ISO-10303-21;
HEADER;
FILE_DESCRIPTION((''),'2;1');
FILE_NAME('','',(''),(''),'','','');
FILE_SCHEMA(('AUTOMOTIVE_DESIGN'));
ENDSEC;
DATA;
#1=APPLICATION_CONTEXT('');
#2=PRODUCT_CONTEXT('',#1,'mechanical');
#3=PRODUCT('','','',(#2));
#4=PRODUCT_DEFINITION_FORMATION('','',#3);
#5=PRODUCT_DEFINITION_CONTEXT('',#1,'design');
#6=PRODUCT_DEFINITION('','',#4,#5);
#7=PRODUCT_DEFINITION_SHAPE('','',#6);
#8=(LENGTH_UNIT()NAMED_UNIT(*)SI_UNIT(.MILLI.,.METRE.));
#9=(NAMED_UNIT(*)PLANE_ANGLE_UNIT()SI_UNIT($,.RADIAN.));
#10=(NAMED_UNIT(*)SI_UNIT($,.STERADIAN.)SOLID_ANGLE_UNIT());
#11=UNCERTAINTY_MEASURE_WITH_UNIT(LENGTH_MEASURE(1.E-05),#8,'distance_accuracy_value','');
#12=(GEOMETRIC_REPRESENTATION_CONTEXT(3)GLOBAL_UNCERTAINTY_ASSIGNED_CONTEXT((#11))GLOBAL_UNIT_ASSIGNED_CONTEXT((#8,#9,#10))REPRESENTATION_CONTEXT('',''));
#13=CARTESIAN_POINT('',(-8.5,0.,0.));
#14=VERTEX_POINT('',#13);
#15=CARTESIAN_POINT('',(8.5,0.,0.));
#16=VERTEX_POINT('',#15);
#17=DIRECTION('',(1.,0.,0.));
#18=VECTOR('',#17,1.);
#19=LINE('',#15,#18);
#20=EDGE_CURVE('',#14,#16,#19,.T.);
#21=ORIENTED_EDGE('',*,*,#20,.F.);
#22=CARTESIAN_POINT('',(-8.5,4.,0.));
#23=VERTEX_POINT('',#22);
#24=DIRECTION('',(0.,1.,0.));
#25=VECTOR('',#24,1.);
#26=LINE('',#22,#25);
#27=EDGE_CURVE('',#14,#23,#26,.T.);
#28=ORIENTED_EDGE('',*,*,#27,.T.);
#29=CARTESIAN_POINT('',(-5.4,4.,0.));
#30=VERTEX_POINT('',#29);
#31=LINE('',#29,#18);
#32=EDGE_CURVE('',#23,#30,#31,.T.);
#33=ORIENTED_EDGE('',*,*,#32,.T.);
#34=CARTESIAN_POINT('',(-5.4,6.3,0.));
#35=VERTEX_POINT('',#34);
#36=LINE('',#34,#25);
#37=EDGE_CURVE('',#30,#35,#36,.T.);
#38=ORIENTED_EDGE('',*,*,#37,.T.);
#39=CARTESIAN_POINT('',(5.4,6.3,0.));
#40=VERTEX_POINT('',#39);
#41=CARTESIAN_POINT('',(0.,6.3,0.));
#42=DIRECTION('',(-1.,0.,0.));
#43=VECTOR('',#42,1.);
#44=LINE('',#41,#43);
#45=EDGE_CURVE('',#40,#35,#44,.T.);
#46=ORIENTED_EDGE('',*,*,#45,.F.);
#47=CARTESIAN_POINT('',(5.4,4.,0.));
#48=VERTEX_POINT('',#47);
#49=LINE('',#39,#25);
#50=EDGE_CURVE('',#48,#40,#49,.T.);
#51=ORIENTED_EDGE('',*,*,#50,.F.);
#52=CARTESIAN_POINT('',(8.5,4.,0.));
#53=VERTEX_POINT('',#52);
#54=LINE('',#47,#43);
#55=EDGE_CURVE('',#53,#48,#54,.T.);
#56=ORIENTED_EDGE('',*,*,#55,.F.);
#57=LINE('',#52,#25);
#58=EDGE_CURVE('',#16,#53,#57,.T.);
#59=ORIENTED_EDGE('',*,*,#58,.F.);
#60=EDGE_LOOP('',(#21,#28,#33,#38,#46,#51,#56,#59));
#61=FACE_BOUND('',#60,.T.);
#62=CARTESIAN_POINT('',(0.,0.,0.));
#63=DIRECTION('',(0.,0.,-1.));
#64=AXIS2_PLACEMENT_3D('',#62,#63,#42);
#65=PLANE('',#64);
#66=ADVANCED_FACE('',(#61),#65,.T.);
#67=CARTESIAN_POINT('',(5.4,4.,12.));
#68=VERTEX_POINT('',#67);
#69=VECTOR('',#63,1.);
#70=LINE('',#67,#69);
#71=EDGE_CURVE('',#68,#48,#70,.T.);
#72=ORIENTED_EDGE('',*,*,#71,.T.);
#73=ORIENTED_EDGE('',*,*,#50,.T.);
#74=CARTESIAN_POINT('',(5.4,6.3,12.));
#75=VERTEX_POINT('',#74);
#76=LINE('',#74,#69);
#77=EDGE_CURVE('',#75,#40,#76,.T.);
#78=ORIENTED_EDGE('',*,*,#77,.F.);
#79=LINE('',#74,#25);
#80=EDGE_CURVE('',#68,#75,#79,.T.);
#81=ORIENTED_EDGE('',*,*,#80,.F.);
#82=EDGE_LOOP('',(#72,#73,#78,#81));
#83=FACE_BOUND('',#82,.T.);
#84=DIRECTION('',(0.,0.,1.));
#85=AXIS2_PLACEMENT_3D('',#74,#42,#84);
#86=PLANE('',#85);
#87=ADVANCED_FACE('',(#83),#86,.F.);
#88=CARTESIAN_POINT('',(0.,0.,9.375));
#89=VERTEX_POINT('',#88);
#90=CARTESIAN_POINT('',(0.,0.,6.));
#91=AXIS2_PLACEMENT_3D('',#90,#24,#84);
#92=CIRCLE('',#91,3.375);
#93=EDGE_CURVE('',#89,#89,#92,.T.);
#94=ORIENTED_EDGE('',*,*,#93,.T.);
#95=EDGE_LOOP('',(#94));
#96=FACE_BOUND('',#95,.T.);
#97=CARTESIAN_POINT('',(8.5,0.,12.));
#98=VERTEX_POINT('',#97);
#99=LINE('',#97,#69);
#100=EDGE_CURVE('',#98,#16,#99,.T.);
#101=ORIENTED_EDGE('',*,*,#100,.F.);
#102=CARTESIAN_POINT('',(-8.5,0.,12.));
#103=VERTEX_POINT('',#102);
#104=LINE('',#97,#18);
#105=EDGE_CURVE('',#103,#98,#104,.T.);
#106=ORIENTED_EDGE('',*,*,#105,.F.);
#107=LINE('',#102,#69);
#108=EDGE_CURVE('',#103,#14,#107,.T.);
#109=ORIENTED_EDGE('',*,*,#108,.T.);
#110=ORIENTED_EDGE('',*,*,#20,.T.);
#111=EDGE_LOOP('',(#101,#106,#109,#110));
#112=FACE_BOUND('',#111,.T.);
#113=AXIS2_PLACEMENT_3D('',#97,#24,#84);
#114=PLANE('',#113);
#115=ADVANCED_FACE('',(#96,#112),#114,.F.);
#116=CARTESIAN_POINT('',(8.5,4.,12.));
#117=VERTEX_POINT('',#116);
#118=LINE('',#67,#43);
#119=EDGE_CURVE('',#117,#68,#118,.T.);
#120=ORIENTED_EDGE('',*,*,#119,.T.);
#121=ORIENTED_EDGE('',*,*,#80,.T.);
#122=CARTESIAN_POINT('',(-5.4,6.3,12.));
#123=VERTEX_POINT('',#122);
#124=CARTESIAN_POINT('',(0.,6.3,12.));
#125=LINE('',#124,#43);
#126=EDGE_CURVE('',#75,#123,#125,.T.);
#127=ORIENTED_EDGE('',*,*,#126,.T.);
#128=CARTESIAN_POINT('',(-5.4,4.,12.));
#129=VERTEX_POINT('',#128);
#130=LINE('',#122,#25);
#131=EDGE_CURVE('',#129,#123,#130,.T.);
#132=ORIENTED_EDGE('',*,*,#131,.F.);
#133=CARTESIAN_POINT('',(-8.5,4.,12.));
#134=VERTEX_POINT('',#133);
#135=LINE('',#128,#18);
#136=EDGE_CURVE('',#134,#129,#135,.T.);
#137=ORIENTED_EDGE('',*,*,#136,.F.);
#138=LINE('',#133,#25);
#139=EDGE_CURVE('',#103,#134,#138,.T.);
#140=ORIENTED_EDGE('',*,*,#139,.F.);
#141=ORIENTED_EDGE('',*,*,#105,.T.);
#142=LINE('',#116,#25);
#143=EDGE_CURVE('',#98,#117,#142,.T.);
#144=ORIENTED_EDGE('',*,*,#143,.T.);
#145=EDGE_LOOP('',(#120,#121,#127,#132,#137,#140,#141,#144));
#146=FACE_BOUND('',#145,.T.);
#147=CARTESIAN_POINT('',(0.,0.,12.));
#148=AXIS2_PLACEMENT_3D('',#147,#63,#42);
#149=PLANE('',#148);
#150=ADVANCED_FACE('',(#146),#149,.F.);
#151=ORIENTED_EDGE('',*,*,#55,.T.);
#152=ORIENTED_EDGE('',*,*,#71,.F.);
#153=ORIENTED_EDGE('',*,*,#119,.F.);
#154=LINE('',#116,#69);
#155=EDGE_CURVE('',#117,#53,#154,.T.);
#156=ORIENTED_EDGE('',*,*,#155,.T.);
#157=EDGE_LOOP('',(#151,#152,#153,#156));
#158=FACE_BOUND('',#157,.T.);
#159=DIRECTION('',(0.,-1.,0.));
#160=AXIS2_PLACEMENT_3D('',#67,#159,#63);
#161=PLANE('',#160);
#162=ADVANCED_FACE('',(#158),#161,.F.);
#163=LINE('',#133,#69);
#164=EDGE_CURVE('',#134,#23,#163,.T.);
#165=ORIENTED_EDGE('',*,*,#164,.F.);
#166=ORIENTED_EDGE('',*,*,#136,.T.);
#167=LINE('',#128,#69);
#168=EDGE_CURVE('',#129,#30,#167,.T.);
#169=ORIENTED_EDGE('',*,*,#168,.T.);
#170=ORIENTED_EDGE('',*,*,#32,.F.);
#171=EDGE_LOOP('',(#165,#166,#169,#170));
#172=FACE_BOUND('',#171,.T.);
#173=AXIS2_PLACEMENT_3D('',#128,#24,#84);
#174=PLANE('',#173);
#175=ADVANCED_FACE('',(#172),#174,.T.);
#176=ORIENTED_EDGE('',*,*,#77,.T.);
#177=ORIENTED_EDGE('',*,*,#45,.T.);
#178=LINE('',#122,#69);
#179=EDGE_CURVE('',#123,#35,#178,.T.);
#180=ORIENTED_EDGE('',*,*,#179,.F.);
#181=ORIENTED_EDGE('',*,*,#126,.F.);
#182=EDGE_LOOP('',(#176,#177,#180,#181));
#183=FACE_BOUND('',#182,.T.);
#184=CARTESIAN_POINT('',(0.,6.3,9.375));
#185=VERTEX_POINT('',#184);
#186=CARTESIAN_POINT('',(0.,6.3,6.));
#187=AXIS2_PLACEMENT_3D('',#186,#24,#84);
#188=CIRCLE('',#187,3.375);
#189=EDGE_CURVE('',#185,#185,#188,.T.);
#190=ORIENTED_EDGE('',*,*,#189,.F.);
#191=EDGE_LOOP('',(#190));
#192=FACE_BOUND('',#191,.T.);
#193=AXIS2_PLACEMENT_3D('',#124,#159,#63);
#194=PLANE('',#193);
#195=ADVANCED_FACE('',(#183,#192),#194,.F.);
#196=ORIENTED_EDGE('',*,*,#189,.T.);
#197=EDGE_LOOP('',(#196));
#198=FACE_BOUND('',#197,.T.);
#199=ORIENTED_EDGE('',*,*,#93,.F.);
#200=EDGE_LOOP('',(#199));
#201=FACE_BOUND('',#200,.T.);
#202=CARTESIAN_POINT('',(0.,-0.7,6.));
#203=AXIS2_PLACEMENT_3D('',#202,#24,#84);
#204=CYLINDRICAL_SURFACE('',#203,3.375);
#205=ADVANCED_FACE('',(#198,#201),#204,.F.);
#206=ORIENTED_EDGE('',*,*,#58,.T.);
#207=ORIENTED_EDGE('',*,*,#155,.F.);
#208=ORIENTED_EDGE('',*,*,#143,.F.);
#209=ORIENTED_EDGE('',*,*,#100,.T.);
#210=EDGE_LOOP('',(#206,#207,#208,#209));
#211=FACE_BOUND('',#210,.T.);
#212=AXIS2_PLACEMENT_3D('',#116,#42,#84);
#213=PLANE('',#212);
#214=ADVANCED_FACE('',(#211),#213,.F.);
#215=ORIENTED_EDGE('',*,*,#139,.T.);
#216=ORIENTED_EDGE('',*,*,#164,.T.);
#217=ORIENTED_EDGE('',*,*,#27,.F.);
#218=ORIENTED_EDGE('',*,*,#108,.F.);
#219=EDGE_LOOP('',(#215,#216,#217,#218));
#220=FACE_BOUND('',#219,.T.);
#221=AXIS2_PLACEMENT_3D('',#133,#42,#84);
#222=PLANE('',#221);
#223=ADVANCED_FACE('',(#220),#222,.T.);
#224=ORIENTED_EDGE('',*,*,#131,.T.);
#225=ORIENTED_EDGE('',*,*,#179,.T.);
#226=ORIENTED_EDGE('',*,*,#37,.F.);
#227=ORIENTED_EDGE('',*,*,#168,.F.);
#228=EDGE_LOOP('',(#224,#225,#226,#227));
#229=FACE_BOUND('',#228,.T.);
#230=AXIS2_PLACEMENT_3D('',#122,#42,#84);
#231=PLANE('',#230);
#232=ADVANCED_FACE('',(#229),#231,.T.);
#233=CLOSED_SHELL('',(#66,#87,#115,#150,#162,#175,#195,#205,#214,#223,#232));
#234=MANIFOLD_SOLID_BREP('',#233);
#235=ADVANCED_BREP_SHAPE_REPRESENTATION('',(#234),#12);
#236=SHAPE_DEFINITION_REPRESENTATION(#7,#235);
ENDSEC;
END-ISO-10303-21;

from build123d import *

# Parameters (mm, degrees)
BOSS_EXTRUDE1_DEPTH = 12
SKETCH2_R           = 3.375
CUT_EXTRUDE1_DEPTH  = 7


with BuildPart() as part:
    # Sketch1 → Boss-Extrude1 (new body)
    with BuildSketch(Plane.XY):
        Polygon((0, 6.3), (5.4, 6.3), (5.4, 4), (8.5, 4), (8.5, 0), (0, 0), align=None)
    boss_extrude1 = extrude(amount=BOSS_EXTRUDE1_DEPTH)

    # Mirror1: Boss-Extrude1 across plane
    add(boss_extrude1.mirror(Plane(origin=(0, 0, 0), x_dir=(0, 0, 1), z_dir=(1, 0, 0))))

    # Sketch2 → Cut-Extrude1 (cut)
    with BuildSketch(Plane(origin=(0, 6.3, 0), x_dir=(1, 0, 0), z_dir=(0, 1, 0))):
        with Locations((0, -6)):
            Circle(SKETCH2_R)
    extrude(amount=-CUT_EXTRUDE1_DEPTH, mode=Mode.SUBTRACT)


solid = part.part
